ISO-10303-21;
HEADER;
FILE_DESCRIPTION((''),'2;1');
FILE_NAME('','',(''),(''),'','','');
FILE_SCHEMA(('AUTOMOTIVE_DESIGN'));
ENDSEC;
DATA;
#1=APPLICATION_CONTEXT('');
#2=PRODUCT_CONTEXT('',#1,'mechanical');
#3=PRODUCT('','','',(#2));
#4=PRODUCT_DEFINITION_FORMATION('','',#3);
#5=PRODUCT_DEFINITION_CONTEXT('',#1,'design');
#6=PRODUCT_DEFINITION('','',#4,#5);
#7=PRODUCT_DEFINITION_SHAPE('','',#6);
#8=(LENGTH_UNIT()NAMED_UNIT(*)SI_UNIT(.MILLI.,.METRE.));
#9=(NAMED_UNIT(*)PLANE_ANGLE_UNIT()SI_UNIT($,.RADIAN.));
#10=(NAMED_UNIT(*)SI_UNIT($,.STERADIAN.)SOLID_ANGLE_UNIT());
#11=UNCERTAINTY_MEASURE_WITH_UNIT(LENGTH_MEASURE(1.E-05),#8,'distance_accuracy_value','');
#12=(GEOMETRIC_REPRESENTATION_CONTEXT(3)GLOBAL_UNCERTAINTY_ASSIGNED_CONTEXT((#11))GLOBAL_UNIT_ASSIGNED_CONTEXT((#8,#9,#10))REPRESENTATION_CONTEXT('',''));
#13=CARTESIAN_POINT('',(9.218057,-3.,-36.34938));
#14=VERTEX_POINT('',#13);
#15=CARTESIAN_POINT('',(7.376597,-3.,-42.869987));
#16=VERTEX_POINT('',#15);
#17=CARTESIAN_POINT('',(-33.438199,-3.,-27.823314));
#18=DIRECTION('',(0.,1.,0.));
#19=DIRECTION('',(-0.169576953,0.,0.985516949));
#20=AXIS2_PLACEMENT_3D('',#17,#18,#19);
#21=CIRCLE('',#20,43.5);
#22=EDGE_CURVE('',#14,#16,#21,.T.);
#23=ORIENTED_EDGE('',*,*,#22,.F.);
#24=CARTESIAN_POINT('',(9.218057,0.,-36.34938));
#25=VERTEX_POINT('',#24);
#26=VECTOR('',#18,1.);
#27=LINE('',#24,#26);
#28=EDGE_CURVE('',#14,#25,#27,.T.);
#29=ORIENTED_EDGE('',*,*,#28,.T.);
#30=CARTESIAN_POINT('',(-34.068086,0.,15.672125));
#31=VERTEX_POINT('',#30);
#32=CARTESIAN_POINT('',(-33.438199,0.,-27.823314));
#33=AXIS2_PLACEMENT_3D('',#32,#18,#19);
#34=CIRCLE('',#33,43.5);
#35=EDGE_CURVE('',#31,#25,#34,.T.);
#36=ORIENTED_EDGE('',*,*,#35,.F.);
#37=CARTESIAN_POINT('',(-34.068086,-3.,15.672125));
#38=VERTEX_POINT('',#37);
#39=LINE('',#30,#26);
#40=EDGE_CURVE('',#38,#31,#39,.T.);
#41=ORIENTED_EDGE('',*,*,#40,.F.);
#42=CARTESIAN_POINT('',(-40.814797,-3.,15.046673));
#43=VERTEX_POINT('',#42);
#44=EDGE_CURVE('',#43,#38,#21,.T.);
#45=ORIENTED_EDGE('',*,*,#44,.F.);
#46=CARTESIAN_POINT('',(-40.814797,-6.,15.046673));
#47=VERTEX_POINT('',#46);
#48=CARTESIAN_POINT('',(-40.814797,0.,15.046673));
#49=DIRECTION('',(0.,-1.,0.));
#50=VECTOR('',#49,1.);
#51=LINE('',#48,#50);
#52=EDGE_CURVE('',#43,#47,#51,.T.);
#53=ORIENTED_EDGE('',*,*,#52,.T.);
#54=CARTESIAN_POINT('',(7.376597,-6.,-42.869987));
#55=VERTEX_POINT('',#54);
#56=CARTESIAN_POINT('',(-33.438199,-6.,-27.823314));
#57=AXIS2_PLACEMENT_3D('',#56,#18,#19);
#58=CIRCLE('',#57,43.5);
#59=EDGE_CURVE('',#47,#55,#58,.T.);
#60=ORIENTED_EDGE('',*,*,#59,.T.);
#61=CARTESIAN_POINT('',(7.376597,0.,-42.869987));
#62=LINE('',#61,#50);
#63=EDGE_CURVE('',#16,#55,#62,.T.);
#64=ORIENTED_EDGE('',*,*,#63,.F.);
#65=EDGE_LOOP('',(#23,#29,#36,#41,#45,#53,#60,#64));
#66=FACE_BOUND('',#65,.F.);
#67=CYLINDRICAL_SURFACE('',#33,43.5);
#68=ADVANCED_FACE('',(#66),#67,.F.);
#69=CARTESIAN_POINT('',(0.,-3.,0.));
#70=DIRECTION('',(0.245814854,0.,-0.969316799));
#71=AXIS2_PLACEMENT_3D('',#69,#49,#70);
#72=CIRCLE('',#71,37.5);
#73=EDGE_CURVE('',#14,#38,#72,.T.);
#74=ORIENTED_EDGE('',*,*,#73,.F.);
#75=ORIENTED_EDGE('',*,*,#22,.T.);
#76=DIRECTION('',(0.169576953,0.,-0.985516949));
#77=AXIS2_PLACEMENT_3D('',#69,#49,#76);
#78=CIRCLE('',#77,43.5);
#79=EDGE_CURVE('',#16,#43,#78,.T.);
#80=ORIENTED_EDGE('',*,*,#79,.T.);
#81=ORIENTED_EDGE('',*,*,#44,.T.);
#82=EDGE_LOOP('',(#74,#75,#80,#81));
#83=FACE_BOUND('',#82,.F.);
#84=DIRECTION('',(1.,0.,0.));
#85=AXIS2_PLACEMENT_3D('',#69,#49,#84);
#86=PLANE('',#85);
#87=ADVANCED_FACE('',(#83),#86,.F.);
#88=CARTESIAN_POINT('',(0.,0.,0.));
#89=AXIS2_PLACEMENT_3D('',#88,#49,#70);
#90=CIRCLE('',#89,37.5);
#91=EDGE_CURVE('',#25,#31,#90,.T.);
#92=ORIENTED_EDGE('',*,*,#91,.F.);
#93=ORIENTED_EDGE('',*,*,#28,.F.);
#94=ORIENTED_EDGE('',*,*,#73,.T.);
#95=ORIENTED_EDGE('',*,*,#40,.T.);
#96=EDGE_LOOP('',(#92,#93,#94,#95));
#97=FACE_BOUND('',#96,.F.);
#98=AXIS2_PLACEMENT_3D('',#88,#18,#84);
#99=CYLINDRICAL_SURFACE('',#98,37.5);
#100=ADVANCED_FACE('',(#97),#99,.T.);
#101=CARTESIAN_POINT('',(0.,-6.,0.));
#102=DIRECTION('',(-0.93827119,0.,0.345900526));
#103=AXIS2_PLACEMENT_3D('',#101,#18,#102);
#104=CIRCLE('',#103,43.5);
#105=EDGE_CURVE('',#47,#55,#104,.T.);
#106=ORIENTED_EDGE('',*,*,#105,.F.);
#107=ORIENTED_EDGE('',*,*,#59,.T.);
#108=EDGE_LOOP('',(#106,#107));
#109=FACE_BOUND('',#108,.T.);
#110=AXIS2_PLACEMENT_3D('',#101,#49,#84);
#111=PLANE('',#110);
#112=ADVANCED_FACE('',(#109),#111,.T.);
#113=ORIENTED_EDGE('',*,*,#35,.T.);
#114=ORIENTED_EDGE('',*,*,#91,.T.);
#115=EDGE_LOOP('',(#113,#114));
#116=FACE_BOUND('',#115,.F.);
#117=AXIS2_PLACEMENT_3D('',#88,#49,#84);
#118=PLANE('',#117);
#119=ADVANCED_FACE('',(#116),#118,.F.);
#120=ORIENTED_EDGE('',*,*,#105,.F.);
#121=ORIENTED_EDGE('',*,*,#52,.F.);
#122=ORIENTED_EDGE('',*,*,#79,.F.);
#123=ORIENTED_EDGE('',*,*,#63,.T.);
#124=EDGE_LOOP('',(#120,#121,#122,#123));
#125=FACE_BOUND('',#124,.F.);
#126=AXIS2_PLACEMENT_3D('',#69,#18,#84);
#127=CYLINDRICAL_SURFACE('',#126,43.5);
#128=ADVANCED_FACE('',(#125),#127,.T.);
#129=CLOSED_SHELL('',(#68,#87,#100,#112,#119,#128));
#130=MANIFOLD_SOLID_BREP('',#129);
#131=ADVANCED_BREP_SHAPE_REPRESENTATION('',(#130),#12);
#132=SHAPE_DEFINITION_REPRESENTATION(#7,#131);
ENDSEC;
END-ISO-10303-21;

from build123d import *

# Parameters (mm, degrees)
F0_R     = 37.5
F1_DEPTH = 3
F2_R     = 43.5
F3_DEPTH = 3
F5_DEPTH = 25


with BuildPart() as f1:
    # F0 (on Front) → F1 (new body)
    with BuildSketch(Plane.XZ):
        Circle(F0_R)
    extrude(amount=F1_DEPTH)

    # F2 (on face) → F3 (join)
    with BuildSketch(Plane.XZ.offset(3)):
        Circle(F2_R)
    extrude(amount=F3_DEPTH)

    # F4 (on face) → F5 (cut)
    with BuildSketch(Plane(origin=(0, 0, 0), x_dir=(-1, 0, 0), z_dir=(0, 1, 0))):
        with BuildLine():
            ThreePointArc((40.8147967737, 15.0466728654), (0, 0), (-7.376597443, -42.8699872891))
            ThreePointArc((-7.376597443, -42.8699872891), (33.4381993307, -27.8233144237), (40.8147967737, 15.0466728654))
        make_face()
    extrude(amount=-F5_DEPTH, mode=Mode.SUBTRACT)


solid = f1.part
